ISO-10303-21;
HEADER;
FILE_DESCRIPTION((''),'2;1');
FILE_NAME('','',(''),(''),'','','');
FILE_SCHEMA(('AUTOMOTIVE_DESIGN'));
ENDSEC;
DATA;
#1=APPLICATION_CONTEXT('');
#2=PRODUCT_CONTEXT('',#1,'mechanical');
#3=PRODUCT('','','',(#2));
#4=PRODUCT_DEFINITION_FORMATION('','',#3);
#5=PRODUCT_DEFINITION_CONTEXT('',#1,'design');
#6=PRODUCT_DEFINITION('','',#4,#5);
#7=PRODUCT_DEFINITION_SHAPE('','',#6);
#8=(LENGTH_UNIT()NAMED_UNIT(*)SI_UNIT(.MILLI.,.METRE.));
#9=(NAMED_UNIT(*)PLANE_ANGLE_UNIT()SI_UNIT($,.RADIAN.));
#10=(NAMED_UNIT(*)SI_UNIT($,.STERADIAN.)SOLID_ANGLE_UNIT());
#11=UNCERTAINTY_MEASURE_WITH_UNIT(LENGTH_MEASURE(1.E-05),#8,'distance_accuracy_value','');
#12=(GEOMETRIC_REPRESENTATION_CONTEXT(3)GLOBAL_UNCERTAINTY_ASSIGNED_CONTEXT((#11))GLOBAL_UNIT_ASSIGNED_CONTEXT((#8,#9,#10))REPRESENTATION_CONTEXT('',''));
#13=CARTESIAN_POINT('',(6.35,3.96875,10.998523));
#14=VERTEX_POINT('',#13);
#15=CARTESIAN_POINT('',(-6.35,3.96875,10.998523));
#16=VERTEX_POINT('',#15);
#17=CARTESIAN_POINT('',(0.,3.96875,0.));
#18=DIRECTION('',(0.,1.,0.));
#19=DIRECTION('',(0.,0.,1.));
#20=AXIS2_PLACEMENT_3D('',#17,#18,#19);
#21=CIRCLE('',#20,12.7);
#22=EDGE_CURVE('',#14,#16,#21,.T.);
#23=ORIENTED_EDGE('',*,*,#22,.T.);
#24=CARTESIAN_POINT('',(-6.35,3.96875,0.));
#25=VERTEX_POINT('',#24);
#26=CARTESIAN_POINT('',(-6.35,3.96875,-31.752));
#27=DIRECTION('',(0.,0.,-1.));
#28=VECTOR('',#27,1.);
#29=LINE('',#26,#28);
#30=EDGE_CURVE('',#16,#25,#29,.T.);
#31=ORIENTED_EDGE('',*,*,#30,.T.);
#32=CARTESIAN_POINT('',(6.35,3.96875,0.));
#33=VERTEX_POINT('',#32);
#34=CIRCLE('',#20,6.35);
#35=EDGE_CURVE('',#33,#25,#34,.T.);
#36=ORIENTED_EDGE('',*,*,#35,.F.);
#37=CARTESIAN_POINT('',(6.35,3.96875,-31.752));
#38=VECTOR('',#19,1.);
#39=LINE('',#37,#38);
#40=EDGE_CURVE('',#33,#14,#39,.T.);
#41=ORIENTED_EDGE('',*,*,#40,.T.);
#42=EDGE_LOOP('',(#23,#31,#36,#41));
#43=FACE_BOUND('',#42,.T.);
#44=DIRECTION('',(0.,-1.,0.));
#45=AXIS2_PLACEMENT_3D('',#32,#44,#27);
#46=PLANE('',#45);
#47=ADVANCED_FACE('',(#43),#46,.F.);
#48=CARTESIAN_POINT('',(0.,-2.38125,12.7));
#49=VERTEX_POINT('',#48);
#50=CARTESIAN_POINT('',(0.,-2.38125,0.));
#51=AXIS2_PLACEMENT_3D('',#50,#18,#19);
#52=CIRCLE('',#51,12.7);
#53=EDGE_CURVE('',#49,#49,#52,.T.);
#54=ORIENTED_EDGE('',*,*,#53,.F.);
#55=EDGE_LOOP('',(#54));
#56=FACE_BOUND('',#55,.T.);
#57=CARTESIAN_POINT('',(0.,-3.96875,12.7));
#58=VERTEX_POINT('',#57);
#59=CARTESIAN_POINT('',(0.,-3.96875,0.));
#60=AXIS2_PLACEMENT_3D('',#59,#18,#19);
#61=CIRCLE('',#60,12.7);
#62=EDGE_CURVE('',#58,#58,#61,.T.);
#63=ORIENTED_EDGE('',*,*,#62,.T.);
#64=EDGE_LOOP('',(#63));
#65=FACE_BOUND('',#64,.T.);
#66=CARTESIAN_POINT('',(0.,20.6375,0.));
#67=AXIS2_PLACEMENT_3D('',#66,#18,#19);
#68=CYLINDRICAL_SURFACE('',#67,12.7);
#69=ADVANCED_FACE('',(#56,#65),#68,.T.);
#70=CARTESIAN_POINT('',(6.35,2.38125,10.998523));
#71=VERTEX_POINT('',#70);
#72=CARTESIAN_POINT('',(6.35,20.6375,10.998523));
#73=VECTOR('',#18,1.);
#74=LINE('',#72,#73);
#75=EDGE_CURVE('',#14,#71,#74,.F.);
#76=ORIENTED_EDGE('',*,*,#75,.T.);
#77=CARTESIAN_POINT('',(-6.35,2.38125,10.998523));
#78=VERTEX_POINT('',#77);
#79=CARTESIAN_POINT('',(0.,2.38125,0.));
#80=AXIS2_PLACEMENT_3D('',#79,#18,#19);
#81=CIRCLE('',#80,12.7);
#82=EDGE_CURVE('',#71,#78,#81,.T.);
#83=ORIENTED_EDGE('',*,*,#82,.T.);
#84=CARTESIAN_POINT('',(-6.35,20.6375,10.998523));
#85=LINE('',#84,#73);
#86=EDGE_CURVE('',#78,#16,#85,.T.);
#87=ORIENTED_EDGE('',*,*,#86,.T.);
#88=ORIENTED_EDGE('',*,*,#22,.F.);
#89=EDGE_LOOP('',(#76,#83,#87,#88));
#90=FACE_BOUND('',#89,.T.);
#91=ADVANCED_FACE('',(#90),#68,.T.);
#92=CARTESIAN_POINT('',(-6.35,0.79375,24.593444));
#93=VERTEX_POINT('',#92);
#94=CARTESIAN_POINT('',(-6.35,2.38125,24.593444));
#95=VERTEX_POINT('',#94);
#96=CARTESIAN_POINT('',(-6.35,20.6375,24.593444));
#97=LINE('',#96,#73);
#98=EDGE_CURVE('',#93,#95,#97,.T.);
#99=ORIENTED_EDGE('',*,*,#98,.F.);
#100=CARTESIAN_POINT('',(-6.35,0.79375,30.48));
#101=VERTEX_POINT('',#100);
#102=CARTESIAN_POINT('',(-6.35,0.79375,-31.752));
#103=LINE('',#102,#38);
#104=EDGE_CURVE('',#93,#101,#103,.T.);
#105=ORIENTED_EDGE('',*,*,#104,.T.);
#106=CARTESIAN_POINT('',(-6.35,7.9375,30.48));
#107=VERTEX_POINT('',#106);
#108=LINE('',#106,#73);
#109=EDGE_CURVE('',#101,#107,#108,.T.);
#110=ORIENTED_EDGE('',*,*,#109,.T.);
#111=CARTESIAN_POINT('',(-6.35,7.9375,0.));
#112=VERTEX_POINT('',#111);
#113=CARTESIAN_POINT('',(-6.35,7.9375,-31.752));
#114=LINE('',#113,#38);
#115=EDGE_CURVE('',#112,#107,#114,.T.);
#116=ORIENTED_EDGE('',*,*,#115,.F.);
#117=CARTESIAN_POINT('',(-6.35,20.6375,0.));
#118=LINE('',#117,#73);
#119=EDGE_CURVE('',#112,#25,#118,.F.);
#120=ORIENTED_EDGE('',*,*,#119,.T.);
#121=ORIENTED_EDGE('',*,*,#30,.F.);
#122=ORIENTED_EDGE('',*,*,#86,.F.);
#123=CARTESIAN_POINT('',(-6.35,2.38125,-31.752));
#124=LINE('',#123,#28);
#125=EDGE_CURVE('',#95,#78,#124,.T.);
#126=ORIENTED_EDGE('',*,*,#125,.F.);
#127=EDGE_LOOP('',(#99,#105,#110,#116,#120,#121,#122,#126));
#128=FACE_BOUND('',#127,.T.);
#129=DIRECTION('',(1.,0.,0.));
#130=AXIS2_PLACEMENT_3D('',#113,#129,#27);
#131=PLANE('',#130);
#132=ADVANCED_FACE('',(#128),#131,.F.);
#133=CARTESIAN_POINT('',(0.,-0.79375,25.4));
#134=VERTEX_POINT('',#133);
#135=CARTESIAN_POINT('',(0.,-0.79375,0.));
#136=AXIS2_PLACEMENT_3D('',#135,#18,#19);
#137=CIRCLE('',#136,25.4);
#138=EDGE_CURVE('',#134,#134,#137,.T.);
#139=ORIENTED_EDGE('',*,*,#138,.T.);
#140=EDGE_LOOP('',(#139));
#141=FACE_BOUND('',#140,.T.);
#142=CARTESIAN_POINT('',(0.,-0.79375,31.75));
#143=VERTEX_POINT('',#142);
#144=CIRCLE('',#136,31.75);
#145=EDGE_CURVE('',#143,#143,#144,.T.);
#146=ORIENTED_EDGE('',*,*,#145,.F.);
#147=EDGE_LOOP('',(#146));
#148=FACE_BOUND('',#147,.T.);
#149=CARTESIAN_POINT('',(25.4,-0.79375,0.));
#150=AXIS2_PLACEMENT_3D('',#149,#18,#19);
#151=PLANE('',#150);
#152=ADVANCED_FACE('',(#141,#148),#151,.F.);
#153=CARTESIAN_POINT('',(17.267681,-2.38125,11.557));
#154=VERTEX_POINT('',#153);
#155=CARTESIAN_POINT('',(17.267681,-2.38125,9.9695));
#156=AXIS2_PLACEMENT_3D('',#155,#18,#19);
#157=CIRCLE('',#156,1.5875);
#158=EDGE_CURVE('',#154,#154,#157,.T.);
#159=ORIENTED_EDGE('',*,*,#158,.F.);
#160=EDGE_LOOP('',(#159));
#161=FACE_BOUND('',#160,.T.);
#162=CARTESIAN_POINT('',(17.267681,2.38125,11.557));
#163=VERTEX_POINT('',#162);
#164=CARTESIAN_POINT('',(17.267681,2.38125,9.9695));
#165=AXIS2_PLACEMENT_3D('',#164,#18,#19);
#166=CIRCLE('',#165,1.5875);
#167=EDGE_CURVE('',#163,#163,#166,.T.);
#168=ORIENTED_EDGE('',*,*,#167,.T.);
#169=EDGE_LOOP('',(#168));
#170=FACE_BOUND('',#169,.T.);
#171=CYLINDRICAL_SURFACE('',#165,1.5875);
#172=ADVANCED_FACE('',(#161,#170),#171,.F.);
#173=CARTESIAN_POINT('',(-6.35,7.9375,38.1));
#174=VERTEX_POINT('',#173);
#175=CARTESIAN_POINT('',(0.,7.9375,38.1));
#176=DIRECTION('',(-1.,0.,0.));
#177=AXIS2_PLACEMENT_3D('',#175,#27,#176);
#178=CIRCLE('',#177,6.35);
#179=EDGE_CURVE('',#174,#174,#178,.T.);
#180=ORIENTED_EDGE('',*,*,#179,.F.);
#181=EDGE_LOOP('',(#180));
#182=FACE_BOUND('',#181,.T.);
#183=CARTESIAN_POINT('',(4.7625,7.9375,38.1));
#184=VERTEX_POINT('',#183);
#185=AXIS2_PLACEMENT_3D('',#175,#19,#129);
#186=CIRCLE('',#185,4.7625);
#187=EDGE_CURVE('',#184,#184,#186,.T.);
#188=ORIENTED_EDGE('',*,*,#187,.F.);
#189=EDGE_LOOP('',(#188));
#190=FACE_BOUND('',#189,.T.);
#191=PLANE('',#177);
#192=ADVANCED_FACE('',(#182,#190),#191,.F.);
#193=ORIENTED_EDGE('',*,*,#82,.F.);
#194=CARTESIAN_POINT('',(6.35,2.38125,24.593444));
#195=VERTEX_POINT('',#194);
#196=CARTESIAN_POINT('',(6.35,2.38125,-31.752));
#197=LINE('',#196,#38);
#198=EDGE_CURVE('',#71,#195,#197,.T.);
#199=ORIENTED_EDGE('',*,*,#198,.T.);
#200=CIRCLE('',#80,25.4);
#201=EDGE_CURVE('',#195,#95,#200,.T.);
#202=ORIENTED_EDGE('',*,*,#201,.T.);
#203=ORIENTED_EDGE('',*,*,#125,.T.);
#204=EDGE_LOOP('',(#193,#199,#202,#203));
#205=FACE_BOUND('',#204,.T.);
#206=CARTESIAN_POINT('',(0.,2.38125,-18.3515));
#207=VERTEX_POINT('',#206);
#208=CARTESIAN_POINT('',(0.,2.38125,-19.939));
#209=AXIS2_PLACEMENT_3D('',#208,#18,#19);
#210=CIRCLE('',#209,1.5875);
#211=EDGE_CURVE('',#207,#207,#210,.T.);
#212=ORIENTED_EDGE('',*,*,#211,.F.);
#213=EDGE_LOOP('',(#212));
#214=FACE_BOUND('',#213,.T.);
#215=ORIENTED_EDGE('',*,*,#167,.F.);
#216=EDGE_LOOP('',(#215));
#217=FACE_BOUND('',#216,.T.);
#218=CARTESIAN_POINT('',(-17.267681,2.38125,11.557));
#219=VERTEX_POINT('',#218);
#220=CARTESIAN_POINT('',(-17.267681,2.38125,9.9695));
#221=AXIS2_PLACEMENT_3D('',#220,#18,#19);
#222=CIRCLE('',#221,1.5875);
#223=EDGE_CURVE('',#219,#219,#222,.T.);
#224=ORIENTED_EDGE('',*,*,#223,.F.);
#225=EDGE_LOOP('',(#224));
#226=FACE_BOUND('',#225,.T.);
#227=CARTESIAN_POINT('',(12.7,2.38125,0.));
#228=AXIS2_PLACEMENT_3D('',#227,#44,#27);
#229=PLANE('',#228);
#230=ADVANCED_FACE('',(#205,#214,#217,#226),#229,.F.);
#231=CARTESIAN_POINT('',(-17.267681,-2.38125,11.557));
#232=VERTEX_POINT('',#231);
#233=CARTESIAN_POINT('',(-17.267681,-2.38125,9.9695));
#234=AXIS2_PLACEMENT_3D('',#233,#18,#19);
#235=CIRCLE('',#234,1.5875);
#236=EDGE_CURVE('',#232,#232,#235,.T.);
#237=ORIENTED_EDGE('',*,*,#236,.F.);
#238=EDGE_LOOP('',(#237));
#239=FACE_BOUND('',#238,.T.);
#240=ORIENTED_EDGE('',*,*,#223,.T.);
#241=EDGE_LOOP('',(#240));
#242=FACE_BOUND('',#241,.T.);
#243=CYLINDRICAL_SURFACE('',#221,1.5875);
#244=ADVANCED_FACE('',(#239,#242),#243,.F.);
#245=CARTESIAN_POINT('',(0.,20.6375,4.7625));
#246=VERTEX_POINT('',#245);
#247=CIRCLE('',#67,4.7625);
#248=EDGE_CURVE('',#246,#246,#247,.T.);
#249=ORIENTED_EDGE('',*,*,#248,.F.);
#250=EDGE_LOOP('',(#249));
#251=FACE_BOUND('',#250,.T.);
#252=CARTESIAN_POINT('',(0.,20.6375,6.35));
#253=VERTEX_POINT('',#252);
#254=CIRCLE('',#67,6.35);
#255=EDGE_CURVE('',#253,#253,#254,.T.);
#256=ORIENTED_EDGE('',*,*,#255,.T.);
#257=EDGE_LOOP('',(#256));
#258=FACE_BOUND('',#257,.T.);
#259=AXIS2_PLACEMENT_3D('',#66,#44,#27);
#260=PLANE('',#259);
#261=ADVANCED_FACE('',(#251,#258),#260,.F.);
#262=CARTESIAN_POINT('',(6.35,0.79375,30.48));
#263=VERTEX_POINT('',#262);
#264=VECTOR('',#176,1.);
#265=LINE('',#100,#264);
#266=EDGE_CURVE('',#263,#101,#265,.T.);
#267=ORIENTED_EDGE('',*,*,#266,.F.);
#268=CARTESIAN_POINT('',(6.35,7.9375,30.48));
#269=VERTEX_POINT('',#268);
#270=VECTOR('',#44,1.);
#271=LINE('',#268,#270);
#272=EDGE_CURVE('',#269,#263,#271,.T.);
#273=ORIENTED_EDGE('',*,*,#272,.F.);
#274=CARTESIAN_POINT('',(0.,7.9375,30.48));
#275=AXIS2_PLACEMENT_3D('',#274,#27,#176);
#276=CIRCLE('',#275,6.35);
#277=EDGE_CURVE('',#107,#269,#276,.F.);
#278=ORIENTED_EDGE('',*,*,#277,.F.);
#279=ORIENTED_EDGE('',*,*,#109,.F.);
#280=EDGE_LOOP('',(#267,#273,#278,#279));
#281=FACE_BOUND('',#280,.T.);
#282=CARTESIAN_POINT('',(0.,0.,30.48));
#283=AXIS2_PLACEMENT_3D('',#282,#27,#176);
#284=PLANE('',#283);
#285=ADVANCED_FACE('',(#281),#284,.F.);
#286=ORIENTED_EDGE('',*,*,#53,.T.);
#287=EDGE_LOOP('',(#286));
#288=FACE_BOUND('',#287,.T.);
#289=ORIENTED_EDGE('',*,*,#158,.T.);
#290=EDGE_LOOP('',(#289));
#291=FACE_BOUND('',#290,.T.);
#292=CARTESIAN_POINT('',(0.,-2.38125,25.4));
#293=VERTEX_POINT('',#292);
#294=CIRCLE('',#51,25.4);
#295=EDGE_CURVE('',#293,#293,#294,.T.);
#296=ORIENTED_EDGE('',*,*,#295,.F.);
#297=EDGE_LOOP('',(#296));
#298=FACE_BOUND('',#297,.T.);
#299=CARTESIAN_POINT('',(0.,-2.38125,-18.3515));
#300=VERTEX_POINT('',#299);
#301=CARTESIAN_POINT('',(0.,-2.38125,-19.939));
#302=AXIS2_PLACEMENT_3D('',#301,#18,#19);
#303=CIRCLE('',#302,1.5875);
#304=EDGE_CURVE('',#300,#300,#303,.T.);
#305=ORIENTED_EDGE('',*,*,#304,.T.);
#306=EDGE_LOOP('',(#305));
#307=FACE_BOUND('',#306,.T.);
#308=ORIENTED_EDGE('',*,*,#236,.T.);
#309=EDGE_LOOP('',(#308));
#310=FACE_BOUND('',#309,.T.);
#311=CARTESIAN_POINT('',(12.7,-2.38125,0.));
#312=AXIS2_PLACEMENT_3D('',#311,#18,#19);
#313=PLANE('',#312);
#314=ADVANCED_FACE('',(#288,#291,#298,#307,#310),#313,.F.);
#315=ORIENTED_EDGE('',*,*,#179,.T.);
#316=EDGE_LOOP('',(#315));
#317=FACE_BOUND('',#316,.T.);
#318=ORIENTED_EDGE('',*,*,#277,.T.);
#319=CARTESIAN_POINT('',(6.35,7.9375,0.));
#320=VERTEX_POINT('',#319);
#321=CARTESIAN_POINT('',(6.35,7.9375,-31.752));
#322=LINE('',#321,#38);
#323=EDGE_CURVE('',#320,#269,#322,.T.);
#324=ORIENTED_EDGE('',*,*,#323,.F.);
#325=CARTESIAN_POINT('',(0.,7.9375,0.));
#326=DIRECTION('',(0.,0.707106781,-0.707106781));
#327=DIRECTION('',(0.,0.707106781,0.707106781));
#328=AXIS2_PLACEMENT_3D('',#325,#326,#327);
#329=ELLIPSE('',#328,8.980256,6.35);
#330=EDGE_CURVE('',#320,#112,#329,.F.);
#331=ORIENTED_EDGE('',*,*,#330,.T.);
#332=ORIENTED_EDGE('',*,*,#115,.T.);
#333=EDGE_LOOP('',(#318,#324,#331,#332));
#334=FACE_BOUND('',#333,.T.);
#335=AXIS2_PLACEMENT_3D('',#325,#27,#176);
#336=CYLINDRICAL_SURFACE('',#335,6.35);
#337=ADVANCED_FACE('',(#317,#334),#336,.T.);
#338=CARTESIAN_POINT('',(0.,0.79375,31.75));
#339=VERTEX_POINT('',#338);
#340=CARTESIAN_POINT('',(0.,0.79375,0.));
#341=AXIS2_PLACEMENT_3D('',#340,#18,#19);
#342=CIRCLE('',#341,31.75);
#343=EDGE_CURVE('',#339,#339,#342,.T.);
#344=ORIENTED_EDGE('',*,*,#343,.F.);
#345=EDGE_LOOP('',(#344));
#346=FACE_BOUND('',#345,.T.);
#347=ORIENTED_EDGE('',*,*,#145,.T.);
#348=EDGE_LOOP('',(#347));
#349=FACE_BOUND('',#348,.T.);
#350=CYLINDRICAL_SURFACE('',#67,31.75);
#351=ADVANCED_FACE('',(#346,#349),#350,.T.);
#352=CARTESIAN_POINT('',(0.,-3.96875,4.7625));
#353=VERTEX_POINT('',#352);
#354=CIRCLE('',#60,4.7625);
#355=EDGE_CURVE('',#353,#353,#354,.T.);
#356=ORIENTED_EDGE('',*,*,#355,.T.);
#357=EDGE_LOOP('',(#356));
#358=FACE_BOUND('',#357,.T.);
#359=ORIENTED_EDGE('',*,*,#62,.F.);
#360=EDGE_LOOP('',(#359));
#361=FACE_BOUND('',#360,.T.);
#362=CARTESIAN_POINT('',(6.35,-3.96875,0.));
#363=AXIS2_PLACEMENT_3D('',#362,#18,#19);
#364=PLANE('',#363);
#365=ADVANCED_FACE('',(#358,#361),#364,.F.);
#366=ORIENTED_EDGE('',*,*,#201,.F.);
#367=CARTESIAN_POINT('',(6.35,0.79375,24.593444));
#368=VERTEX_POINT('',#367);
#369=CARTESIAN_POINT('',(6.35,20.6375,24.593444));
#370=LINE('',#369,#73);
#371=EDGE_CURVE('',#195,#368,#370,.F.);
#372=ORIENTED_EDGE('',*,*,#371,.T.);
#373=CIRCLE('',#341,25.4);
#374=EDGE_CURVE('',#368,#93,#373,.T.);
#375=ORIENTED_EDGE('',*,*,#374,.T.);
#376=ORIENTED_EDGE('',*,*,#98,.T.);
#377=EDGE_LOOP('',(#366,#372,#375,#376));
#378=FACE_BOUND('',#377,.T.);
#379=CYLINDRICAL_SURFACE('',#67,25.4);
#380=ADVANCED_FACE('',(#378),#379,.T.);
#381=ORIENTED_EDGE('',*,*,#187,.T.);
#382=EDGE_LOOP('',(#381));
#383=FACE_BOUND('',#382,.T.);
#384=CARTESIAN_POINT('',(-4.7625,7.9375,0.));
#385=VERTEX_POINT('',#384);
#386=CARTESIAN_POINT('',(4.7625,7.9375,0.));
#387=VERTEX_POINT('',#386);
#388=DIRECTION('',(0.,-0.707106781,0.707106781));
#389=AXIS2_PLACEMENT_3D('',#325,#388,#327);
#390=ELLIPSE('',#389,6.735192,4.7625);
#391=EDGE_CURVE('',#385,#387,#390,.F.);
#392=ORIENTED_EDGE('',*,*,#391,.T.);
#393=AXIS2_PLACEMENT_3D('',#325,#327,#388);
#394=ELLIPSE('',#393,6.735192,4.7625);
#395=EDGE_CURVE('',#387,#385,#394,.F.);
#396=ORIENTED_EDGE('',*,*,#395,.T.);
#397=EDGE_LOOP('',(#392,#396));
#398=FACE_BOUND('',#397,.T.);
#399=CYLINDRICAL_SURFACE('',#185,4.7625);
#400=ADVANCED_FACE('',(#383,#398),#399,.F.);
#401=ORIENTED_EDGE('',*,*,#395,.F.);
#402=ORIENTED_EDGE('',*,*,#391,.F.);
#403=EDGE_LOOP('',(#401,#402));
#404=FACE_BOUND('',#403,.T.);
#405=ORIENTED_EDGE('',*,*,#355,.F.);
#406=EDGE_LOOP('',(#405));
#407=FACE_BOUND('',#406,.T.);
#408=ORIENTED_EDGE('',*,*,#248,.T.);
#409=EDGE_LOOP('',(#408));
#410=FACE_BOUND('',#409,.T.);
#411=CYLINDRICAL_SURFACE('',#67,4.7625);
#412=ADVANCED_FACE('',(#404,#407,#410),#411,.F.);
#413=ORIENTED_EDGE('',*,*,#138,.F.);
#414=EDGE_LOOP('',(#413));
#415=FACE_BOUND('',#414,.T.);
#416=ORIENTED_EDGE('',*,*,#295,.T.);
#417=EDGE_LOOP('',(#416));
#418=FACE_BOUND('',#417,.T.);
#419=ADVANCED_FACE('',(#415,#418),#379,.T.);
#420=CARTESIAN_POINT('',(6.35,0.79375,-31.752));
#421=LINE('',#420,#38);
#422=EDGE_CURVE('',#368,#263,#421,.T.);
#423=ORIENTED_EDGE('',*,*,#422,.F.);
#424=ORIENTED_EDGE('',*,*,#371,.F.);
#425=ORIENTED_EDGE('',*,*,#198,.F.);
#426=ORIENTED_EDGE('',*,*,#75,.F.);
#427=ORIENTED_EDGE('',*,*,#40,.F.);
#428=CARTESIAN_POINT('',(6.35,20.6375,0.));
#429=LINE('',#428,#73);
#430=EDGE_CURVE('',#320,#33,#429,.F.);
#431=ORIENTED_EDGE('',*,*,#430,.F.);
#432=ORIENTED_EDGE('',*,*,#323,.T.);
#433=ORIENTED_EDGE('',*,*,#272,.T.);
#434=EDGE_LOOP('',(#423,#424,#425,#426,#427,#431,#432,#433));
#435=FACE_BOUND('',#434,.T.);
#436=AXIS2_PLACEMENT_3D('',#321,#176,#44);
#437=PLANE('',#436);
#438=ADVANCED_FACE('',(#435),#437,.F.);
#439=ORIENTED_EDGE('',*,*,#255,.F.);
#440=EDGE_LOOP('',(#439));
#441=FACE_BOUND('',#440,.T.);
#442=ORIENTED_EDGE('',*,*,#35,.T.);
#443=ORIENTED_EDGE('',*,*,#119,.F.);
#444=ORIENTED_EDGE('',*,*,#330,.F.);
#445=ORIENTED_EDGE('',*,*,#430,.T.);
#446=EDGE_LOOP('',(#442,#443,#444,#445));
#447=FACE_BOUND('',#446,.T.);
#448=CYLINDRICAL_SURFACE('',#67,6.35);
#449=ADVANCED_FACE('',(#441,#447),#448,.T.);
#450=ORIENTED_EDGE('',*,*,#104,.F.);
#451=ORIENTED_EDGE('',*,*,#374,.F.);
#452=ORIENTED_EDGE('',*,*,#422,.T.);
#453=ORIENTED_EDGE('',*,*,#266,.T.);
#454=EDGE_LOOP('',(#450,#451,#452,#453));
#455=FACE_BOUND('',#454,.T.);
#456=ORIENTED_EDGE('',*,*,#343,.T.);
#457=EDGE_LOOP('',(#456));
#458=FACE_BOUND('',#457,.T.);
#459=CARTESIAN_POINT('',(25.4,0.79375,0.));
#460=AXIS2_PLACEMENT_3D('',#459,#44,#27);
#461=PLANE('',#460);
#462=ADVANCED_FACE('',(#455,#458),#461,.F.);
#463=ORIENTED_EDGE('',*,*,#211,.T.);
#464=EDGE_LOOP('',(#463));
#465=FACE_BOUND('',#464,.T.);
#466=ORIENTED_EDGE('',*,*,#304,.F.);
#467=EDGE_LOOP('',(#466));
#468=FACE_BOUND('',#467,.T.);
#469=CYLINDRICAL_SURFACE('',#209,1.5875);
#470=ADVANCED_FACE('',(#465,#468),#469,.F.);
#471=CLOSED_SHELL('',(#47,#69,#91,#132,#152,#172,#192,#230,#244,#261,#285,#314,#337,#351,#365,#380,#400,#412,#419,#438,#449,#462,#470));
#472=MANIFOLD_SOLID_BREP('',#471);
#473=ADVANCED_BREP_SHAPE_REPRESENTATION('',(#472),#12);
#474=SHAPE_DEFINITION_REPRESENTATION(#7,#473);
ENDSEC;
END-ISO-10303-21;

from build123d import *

# Parameters (mm, degrees)
SKETCH3_W           = 6.35
SKETCH3_H           = 38.1
EXTRUDE_THIN1_START = -30.48
EXTRUDE_THIN1_DEPTH = 30.48
HOLE1_D             = 9.525
HOLE1_DEPTH         = 38.1
HOLE2_D             = 9.525
HOLE3_D             = 3.175


with BuildPart() as part:
    # Sketch1 → Revolve1 (revolve)
    with BuildSketch(Plane.XY):
        Polygon((0, 20.6375), (6.35, 20.6375), (6.35, 3.96875), (12.7, 3.96875), (12.7, 2.38125), (25.4, 2.38125), (25.4, 0.79375), (31.75, 0.79375), (31.75, -0.79375), (25.4, -0.79375), (25.4, -2.38125), (12.7, -2.38125), (12.7, -3.96875), (6.35, -3.96875), (0, -3.96875), align=None)
    revolve(axis=Axis((0, 20.6375, 0), (0, -1, 0)))

    # Sketch3 → Revolve2 (revolve)
    with BuildSketch(Plane(origin=(0, 7.9375, 0), x_dir=(1, 0, 0), z_dir=(0, 1, 0))):
        with Locations((3.175, -19.05)):
            Rectangle(SKETCH3_W, SKETCH3_H)
    revolve(axis=Axis((0, 7.9375, 0), (0, 0, 1)))

    # Sketch4 → Extrude-Thin1 (add)
    with BuildSketch(Plane.XY.offset(30.48).offset(EXTRUDE_THIN1_START)):
        Polygon((6.35, 7.9375), (6.35, 0.79375), (-6.35, 0.79375), (-6.35, 7.9375), (-3.81, 7.9375), (-3.81, 3.33375), (3.81, 3.33375), (3.81, 7.9375), align=None)
    extrude(amount=EXTRUDE_THIN1_DEPTH)

    # Hole1
    with Locations(Plane.XY.offset(38.1)):
        with Locations((0, 7.9375)):
            Hole(HOLE1_D / 2, depth=HOLE1_DEPTH)

    # Hole2 (through all)
    with Locations(Plane(origin=(0, 20.6375, 0), x_dir=(1, 0, 0), z_dir=(0, 1, 0))):
        with Locations((0, 0)):
            Hole(HOLE2_D / 2)

    # Hole3 (through all)
    with Locations(Plane(origin=(0, 2.38125, 0), x_dir=(1, 0, 0), z_dir=(0, 1, 0))):
        with Locations((0, 19.939), (17.267680526, -9.9695), (-17.267680526, -9.9695)):
            Hole(HOLE3_D / 2)


solid = part.part
